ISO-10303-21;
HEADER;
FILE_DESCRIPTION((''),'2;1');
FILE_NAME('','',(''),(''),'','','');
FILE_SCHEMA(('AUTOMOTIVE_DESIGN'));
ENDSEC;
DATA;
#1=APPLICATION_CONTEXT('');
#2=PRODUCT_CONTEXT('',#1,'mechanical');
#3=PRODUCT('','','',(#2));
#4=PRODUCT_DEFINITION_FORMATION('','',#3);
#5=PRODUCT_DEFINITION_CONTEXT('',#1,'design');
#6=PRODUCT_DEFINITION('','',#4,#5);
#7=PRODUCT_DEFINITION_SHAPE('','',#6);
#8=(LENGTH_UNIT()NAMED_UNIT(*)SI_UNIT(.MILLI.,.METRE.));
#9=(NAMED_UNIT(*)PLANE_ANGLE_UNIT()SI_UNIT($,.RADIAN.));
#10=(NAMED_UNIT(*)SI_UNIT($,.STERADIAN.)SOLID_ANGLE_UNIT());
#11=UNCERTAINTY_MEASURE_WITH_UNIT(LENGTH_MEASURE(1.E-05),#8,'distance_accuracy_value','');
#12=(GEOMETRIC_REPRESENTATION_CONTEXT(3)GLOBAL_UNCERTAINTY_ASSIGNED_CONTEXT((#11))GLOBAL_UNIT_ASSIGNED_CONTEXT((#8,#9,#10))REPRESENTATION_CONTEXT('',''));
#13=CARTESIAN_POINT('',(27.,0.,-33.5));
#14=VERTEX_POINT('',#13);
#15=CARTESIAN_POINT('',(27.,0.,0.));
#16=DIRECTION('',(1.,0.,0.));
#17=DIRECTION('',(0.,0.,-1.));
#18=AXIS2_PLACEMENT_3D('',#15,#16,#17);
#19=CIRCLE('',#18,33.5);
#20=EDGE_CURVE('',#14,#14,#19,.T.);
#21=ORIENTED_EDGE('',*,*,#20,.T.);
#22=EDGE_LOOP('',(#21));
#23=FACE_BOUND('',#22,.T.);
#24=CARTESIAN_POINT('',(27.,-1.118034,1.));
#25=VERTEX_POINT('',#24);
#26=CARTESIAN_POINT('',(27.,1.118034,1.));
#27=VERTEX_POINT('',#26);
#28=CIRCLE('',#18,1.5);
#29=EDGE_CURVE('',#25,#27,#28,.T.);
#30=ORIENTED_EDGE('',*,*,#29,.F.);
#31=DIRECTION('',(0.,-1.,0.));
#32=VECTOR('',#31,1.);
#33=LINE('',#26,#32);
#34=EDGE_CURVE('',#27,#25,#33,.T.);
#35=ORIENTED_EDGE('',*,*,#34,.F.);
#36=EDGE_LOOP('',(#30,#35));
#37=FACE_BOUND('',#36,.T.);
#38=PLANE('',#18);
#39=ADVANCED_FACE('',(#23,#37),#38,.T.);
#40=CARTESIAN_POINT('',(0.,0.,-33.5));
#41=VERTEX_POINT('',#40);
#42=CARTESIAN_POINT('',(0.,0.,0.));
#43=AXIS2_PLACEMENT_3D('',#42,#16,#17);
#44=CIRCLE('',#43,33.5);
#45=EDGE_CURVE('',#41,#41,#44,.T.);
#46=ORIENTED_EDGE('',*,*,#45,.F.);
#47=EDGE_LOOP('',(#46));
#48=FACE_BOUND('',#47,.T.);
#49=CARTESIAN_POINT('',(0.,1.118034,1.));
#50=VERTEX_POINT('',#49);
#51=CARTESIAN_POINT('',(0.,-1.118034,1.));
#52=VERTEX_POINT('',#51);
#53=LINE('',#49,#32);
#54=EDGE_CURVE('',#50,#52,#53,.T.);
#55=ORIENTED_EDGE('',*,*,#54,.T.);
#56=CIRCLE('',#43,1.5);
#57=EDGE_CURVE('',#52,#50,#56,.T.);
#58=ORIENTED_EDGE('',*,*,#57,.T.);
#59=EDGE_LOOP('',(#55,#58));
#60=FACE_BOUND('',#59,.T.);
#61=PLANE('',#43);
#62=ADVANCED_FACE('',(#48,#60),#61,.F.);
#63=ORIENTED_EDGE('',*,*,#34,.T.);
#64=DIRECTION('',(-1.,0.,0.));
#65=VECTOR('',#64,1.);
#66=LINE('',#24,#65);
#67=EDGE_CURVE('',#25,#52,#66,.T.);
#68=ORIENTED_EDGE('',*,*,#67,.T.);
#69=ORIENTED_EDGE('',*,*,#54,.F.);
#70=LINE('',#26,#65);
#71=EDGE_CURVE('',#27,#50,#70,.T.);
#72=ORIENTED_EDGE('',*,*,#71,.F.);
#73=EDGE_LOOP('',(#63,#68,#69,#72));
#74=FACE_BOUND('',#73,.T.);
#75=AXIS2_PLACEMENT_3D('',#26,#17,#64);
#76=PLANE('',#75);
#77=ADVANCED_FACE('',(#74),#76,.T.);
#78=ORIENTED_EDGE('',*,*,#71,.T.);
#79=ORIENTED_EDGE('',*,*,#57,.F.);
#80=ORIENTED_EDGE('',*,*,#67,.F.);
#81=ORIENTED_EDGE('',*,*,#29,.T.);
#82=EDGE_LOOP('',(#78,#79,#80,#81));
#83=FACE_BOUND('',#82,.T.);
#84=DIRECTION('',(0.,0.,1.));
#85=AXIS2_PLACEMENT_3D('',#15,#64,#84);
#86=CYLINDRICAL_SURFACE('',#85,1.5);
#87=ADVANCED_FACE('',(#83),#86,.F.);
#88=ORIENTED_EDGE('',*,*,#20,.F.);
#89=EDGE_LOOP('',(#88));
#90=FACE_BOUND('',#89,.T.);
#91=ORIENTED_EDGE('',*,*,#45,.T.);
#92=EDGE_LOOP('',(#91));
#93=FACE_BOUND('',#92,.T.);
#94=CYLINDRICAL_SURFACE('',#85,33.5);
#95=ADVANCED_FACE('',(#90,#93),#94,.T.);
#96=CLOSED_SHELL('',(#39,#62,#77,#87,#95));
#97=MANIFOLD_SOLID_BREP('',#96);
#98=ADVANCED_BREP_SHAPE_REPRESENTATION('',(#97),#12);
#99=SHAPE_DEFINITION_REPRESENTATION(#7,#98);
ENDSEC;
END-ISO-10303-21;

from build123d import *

# Parameters (mm, degrees)
SKETCH1_R           = 33.5
BOSS_EXTRUDE1_DEPTH = 27


with BuildPart() as part:
    # Sketch1 → Boss-Extrude1 (new body)
    with BuildSketch(Plane(origin=(0, 0, 0), x_dir=(0, 0, -1), z_dir=(1, 0, 0))):
        Circle(SKETCH1_R)
        with BuildLine():
            Line((-1, 1.118033989), (-1, -1.118033989))
            ThreePointArc((-1, -1.118033989), (1.5, 0), (-1, 1.118033989))
        make_face(mode=Mode.SUBTRACT)
    extrude(amount=BOSS_EXTRUDE1_DEPTH)


solid = part.part
